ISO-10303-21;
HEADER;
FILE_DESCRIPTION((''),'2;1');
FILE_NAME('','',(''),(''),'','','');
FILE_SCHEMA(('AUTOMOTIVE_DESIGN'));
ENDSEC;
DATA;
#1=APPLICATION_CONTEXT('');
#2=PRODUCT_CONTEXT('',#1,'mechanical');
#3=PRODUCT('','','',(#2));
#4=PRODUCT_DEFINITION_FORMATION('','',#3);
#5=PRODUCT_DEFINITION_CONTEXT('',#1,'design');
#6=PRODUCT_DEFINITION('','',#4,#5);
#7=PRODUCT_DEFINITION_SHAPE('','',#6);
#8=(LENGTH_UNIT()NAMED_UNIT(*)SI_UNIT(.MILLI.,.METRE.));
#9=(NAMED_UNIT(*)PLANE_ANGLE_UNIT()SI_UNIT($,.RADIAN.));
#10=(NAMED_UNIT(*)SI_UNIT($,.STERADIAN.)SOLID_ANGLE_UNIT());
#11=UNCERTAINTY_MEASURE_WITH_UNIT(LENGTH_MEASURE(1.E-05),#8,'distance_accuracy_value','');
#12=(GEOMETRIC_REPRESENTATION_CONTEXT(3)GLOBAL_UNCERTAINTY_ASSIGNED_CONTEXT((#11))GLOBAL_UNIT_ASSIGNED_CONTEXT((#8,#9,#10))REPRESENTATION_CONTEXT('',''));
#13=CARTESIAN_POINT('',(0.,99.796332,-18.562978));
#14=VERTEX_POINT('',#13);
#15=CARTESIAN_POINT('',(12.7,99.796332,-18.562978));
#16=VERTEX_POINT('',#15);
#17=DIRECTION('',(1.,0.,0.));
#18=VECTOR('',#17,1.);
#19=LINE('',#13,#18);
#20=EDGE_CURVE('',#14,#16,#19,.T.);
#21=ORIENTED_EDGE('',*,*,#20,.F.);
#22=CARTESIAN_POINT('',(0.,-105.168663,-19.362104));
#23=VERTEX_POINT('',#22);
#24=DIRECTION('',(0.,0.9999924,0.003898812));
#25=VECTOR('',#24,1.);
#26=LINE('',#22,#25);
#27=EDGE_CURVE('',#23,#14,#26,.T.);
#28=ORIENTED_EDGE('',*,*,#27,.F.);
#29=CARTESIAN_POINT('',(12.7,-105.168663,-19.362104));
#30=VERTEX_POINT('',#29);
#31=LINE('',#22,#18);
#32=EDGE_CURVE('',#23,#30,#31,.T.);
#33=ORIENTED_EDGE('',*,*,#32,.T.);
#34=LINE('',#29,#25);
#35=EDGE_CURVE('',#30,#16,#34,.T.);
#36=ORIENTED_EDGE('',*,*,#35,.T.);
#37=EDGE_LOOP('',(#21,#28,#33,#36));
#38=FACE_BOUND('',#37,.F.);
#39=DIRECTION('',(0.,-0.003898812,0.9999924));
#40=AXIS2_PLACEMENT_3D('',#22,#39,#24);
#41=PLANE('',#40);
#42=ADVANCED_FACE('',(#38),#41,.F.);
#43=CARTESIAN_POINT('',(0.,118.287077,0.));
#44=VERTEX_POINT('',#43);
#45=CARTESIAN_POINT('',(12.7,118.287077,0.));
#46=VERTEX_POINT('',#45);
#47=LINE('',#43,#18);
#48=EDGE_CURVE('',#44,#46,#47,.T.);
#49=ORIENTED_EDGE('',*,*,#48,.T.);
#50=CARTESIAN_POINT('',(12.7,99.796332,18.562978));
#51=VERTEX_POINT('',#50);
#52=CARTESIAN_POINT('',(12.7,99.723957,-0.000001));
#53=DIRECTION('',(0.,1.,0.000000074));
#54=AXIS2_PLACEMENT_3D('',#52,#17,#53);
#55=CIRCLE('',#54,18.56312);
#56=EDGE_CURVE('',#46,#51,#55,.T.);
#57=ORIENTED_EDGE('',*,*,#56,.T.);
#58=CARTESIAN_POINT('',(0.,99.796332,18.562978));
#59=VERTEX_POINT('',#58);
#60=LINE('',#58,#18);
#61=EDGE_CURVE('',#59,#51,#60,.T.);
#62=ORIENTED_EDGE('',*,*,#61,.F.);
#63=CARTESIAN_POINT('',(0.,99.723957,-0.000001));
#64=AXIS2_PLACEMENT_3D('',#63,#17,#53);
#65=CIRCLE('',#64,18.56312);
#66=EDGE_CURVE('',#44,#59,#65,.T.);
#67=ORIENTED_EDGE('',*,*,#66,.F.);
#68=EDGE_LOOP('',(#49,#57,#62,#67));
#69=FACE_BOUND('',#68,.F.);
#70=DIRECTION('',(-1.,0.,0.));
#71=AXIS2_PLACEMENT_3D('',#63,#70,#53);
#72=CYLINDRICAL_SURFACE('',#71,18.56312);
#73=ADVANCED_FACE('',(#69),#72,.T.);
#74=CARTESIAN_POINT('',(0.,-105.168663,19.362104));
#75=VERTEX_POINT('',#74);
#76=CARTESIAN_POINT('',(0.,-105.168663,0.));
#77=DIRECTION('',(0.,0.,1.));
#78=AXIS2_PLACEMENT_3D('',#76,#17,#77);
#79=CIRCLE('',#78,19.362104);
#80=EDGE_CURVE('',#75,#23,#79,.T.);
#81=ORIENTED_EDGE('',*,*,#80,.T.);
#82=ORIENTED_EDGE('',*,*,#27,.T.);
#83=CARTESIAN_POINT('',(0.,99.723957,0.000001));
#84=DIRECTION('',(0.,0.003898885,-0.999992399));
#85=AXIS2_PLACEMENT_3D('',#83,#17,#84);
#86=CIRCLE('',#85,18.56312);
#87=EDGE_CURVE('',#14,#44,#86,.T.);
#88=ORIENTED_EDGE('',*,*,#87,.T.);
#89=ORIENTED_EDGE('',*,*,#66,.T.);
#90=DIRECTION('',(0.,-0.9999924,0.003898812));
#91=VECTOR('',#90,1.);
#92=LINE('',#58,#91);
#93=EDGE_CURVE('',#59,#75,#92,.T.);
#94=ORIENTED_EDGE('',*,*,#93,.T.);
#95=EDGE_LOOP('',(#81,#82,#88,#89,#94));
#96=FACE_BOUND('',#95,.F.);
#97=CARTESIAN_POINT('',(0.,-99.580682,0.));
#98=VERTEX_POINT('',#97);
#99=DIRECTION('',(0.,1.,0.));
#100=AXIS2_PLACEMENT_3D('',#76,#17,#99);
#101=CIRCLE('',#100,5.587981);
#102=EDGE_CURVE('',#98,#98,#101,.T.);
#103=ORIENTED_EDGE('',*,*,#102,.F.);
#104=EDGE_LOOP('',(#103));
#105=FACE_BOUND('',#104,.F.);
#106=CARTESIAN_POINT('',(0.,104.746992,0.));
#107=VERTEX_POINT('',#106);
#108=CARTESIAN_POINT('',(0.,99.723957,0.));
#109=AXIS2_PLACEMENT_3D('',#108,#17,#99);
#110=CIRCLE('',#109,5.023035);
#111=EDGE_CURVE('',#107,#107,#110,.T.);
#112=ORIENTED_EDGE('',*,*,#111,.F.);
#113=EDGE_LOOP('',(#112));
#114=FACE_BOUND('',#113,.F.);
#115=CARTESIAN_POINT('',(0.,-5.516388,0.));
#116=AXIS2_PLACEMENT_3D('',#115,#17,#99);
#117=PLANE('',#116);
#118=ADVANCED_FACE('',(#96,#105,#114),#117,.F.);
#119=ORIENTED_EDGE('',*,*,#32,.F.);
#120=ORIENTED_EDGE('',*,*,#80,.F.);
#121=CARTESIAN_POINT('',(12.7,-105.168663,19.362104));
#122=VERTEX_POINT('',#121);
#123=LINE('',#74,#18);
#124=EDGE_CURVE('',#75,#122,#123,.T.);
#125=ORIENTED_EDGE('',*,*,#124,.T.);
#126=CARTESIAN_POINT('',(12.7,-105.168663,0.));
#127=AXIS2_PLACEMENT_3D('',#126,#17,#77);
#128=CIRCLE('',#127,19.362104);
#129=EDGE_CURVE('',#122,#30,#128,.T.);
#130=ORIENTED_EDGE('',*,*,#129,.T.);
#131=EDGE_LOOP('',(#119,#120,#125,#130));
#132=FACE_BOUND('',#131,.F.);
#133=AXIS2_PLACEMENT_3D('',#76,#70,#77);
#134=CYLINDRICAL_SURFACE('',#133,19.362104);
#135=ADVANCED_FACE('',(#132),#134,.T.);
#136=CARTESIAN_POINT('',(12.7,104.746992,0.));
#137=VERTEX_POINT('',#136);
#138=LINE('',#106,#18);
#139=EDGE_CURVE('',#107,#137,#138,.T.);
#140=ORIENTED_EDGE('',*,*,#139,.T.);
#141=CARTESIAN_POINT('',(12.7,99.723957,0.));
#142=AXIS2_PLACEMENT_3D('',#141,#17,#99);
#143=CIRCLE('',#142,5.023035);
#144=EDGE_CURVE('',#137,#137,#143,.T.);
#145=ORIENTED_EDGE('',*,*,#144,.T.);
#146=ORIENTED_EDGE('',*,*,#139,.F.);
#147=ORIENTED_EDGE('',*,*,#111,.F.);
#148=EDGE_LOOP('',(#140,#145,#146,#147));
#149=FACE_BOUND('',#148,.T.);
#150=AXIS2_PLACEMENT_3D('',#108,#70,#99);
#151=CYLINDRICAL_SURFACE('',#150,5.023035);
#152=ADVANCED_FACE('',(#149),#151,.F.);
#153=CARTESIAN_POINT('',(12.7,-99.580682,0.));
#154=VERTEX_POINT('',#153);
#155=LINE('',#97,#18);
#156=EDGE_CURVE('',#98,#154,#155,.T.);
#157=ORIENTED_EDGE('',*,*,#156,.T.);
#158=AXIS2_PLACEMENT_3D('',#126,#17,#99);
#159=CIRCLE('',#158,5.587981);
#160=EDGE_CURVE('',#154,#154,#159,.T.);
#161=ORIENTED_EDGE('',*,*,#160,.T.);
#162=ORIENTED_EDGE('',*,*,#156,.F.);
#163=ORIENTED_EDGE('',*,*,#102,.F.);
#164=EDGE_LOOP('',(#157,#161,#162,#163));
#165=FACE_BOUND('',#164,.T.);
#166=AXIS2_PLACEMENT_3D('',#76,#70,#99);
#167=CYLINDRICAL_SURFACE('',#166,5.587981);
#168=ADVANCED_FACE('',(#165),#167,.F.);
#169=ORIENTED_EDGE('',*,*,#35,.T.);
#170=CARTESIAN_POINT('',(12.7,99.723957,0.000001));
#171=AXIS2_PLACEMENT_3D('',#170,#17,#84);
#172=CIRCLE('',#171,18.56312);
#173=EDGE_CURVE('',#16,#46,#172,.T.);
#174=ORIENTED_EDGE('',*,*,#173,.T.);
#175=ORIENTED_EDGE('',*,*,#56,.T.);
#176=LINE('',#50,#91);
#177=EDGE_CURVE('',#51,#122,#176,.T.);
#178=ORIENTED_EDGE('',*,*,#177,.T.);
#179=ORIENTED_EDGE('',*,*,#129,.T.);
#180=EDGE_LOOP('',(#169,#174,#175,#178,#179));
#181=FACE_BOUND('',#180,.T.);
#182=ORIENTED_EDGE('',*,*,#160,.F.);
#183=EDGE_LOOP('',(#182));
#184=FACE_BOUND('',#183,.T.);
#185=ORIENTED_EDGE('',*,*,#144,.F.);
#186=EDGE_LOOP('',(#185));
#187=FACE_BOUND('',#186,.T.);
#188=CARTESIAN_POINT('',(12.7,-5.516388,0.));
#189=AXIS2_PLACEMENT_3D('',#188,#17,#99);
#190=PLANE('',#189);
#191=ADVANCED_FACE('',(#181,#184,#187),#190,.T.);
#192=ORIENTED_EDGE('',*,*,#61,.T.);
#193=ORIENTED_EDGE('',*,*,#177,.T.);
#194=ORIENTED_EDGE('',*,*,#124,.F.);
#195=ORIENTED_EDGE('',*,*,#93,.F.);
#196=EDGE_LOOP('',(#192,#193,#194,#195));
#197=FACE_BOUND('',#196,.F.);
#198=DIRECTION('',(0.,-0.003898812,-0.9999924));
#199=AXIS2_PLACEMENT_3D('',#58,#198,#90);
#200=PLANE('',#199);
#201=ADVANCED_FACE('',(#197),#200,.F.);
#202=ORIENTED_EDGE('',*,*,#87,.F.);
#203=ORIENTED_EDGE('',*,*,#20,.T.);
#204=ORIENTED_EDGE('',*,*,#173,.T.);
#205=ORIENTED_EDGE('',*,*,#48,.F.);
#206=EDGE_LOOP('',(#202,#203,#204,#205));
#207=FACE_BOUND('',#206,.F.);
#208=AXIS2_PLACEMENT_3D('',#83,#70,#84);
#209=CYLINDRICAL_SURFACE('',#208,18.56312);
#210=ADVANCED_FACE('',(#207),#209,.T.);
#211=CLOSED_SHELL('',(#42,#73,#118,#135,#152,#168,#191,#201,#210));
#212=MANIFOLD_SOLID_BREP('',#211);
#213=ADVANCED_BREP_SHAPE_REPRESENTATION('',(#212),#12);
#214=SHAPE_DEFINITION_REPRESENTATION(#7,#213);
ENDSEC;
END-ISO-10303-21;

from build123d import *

# Parameters (mm, degrees)
F0_R     = 5.587981
F0_R_2   = 5.023035
F1_DEPTH = 12.7


with BuildPart() as f1:
    # F0 (on Right) → F1 (new body)
    with BuildSketch(Plane.YZ):
        with BuildLine():
            ThreePointArc((99.796332, -18.562978), (81.160838, 0), (99.796332, 18.562978))
            Line((99.796332, 18.562978), (-105.168663, 19.362104))
            ThreePointArc((-105.168663, 19.362104), (-124.530767, 0), (-105.168663, -19.362104))
            Line((-105.168663, -19.362104), (99.796332, -18.562978))
        make_face()
        with Locations((-105.168663, 0)):
            Circle(F0_R, mode=Mode.SUBTRACT)
        with BuildLine():
            ThreePointArc((99.796332, -18.562978), (112.875628, -13.100494), (118.287077, 0))
            ThreePointArc((118.287077, 0), (112.875628, 13.100494), (99.796332, 18.562978))
            ThreePointArc((99.796332, 18.562978), (81.160838, 0), (99.796332, -18.562978))
        make_face()
        with Locations((99.723957, 0)):
            Circle(F0_R_2, mode=Mode.SUBTRACT)
    extrude(amount=F1_DEPTH)


solid = f1.part
